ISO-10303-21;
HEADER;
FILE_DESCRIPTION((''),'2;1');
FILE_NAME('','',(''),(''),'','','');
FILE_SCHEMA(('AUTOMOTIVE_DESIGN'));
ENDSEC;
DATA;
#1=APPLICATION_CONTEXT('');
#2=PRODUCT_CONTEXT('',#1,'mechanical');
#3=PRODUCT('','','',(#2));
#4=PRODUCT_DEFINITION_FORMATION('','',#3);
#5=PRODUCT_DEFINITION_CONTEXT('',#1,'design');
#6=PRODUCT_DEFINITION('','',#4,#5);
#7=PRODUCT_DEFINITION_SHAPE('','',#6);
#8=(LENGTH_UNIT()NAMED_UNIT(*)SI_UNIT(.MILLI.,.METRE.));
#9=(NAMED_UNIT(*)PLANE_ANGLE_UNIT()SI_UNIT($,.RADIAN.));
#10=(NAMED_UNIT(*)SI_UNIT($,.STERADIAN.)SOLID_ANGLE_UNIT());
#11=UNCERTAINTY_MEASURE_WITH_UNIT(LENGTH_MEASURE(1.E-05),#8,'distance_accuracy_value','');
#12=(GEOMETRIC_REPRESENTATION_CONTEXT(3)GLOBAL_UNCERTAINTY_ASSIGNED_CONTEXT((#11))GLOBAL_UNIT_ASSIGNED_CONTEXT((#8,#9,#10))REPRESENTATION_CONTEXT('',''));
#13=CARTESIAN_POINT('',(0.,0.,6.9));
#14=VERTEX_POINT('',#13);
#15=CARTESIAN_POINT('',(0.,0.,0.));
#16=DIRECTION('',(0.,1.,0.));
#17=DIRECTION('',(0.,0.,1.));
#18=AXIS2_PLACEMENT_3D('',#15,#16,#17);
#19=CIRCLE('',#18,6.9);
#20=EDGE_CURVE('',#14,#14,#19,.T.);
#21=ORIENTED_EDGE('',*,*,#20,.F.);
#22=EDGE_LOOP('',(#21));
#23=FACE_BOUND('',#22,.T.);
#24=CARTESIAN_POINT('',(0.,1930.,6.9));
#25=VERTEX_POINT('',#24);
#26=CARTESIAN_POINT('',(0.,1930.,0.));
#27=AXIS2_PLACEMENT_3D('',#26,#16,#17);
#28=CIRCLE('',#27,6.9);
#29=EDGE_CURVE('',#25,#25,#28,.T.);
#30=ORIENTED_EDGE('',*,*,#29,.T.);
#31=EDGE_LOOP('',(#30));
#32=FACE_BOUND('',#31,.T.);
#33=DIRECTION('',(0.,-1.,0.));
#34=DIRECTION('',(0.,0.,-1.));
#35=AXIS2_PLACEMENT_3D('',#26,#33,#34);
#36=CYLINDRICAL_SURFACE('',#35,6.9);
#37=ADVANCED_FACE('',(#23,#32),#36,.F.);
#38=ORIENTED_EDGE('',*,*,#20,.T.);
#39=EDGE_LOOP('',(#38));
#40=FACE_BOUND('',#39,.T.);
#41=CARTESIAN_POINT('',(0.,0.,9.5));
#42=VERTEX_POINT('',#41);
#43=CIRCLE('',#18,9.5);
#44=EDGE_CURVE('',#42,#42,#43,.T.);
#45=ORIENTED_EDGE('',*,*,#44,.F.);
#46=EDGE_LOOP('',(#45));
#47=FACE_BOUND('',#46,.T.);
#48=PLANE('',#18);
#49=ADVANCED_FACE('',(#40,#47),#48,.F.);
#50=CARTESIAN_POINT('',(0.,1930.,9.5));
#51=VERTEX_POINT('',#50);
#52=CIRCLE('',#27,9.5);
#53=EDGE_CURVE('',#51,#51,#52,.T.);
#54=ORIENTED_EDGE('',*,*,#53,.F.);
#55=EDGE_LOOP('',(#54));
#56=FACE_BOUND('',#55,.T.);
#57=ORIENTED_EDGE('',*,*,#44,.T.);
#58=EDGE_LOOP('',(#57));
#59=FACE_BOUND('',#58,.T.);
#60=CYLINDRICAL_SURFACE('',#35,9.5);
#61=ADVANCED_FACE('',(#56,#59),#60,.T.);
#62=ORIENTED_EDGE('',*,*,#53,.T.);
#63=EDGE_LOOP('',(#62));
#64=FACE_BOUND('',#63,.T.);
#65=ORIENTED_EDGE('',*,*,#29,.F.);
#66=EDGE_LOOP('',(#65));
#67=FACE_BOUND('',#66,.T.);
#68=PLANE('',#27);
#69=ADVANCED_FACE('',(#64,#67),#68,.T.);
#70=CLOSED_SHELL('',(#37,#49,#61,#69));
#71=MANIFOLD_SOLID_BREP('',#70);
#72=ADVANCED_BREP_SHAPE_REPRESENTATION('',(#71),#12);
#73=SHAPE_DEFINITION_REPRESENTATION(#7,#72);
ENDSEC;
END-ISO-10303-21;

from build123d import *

# Parameters (mm, degrees)
SKETCH1_R           = 9.5
SKETCH1_R_2         = 6.9
BOSS_EXTRUDE1_DEPTH = 1930


with BuildPart() as part:
    # Sketch1 → Boss-Extrude1 (new body)
    with BuildSketch(Plane(origin=(0, 0, 0), x_dir=(1, 0, 0), z_dir=(0, 1, 0))):
        with Locations(Location((0, 0, 0), (0, 0, 270))):
            Circle(SKETCH1_R)
        with Locations(Location((0, 0, 0), (0, 0, 270))):
            Circle(SKETCH1_R_2, mode=Mode.SUBTRACT)
    extrude(amount=BOSS_EXTRUDE1_DEPTH)


solid = part.part
